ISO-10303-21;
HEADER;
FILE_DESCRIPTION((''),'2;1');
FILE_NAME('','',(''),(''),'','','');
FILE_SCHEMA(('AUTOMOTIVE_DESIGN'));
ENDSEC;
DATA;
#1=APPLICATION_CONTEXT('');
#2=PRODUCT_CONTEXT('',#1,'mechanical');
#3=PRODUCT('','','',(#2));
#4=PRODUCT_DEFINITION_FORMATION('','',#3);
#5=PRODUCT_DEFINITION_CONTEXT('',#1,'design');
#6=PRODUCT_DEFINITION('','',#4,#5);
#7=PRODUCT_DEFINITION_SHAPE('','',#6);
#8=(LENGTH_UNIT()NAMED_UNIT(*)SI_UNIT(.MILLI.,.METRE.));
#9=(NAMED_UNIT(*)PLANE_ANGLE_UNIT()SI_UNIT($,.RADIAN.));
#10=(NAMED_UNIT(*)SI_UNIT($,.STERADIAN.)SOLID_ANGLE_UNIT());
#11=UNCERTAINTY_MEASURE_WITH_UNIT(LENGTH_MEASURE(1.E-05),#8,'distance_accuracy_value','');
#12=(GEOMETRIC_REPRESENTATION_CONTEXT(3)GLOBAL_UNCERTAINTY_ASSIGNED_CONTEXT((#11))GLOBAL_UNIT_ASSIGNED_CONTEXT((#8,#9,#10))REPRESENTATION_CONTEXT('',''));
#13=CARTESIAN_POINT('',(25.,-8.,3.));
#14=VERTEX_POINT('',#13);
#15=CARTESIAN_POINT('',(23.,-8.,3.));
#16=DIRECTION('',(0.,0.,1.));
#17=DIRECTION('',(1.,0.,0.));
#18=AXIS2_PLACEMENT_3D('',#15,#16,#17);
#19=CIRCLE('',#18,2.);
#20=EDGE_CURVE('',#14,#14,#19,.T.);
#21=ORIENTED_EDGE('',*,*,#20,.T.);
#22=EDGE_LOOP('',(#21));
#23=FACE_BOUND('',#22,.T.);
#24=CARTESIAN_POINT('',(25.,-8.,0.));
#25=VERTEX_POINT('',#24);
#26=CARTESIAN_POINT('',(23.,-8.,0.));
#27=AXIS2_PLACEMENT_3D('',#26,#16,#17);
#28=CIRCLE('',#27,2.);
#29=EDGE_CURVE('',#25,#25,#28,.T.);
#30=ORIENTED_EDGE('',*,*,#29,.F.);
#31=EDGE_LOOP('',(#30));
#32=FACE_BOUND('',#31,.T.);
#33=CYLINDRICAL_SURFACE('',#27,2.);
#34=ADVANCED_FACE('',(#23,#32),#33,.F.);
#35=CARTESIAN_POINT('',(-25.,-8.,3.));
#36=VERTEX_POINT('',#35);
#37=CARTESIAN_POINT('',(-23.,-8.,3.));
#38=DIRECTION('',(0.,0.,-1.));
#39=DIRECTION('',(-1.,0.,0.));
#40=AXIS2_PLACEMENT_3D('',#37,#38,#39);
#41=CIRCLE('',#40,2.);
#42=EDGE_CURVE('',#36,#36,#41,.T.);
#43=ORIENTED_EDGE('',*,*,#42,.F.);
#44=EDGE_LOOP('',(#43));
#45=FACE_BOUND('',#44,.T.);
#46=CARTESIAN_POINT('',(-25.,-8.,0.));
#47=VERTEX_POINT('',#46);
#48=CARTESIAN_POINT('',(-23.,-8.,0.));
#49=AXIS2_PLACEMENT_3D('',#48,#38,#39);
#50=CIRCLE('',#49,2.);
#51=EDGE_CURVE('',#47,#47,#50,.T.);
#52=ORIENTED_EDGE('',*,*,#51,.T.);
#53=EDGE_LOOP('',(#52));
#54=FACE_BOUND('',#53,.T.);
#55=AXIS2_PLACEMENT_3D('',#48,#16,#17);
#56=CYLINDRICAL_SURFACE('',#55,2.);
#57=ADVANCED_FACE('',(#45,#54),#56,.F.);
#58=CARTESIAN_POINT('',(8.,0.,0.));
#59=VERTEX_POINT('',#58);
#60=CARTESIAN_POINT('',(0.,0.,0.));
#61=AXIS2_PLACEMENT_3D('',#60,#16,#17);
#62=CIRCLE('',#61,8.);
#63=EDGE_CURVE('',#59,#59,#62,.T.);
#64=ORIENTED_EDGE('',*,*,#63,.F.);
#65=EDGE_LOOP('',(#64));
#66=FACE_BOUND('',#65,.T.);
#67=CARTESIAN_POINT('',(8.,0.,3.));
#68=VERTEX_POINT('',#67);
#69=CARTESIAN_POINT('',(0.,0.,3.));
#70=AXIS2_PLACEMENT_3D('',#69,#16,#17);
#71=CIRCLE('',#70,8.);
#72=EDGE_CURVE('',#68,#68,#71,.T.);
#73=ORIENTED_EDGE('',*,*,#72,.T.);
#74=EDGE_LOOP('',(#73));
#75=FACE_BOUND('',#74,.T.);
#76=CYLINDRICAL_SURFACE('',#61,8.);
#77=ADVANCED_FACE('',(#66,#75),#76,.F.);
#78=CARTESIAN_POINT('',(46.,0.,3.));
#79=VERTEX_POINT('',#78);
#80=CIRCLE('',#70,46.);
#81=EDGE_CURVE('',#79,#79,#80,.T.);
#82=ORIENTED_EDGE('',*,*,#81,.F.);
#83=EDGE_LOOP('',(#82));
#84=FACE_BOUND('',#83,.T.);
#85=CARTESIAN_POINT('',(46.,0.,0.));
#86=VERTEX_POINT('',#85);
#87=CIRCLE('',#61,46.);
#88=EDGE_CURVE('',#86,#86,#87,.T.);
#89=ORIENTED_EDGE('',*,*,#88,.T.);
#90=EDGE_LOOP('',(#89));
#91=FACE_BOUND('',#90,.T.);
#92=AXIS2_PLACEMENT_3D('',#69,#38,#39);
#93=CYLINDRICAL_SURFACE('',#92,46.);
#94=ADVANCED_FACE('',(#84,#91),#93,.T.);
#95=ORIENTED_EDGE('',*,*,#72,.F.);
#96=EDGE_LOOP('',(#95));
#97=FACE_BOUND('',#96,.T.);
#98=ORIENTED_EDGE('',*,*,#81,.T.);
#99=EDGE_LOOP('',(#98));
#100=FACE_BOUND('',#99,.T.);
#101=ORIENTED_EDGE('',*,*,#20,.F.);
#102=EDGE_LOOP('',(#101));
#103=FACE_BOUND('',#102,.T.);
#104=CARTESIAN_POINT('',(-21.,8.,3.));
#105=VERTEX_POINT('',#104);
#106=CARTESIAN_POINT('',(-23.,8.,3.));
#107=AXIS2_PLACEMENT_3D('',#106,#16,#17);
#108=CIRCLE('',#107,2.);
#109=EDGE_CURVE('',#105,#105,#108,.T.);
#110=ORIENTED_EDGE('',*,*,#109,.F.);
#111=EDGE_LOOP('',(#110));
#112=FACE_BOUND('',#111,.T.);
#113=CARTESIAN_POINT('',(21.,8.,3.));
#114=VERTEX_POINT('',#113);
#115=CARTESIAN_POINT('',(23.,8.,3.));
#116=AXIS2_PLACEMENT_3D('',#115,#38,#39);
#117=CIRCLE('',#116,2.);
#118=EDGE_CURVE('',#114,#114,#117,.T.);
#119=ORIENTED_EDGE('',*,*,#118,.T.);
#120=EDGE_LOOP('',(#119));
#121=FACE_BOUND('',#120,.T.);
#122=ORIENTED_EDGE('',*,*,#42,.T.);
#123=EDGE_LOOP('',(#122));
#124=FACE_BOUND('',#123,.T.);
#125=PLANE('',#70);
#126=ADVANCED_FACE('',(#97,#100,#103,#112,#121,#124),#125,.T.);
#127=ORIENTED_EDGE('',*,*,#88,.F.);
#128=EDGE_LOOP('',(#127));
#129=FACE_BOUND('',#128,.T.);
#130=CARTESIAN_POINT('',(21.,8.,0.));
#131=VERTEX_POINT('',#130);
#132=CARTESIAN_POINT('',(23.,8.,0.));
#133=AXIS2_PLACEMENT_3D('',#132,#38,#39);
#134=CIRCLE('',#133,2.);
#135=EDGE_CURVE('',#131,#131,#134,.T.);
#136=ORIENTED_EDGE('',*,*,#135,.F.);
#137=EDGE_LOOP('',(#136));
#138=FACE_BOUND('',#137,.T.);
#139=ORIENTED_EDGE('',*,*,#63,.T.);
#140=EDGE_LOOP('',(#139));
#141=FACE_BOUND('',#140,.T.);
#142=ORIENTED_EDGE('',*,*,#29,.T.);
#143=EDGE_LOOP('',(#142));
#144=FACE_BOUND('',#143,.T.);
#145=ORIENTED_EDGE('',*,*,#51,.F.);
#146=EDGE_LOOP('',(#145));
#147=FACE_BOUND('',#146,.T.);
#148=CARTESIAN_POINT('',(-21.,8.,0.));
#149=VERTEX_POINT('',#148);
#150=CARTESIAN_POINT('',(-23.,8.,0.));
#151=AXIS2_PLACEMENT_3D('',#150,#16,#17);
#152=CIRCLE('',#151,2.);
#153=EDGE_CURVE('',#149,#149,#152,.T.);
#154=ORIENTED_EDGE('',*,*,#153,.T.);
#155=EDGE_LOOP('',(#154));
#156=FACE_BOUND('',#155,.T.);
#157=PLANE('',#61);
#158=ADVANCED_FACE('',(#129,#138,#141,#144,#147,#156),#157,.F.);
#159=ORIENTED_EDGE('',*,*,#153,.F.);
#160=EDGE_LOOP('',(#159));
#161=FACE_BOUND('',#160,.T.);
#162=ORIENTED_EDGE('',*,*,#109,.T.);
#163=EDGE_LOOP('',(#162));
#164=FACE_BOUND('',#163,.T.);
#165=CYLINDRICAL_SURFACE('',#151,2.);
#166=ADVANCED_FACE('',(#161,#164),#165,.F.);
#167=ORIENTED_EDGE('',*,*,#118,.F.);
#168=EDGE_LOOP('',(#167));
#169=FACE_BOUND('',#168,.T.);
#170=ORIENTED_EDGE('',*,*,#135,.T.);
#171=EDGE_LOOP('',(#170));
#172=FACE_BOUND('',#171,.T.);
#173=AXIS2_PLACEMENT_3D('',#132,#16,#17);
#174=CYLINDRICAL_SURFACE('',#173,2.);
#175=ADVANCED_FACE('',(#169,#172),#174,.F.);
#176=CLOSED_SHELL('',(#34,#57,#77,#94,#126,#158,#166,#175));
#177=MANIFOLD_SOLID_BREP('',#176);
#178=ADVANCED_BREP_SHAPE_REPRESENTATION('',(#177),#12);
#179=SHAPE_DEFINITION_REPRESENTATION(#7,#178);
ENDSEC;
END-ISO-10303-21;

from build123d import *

# Parameters (mm, degrees)
SKETCH_1_R          = 46
EXTRUDE_1_DEPTH     = 3
SKETCH_2_R          = 8
CUT_EXTRUDE_1_DEPTH = 3
SKETCH_3_R          = 2
CUT_EXTRUDE_2_DEPTH = 3


with BuildPart() as part:
    # 스케치1 → 보스-돌출1 (new body)
    with BuildSketch(Plane.XY):
        Circle(SKETCH_1_R)
    extrude(amount=EXTRUDE_1_DEPTH)

    # 스케치2 → 컷-돌출1 (cut)
    with BuildSketch(Plane.XY.offset(3)):
        Circle(SKETCH_2_R)
    extrude(amount=-CUT_EXTRUDE_1_DEPTH, mode=Mode.SUBTRACT)

    # 스케치3 → 컷-돌출2 (cut)
    with BuildSketch(Plane.XY.offset(3)):
        with Locations((-23, 8)):
            Circle(SKETCH_3_R)
        with Locations(Location((-23, -8, 0), (0, 0, 180))):
            Circle(SKETCH_3_R)
        with Locations((23, -8)):
            Circle(SKETCH_3_R)
        with Locations(Location((23, 8, 0), (0, 0, 180))):
            Circle(SKETCH_3_R)
    extrude(amount=-CUT_EXTRUDE_2_DEPTH, mode=Mode.SUBTRACT)


solid = part.part
